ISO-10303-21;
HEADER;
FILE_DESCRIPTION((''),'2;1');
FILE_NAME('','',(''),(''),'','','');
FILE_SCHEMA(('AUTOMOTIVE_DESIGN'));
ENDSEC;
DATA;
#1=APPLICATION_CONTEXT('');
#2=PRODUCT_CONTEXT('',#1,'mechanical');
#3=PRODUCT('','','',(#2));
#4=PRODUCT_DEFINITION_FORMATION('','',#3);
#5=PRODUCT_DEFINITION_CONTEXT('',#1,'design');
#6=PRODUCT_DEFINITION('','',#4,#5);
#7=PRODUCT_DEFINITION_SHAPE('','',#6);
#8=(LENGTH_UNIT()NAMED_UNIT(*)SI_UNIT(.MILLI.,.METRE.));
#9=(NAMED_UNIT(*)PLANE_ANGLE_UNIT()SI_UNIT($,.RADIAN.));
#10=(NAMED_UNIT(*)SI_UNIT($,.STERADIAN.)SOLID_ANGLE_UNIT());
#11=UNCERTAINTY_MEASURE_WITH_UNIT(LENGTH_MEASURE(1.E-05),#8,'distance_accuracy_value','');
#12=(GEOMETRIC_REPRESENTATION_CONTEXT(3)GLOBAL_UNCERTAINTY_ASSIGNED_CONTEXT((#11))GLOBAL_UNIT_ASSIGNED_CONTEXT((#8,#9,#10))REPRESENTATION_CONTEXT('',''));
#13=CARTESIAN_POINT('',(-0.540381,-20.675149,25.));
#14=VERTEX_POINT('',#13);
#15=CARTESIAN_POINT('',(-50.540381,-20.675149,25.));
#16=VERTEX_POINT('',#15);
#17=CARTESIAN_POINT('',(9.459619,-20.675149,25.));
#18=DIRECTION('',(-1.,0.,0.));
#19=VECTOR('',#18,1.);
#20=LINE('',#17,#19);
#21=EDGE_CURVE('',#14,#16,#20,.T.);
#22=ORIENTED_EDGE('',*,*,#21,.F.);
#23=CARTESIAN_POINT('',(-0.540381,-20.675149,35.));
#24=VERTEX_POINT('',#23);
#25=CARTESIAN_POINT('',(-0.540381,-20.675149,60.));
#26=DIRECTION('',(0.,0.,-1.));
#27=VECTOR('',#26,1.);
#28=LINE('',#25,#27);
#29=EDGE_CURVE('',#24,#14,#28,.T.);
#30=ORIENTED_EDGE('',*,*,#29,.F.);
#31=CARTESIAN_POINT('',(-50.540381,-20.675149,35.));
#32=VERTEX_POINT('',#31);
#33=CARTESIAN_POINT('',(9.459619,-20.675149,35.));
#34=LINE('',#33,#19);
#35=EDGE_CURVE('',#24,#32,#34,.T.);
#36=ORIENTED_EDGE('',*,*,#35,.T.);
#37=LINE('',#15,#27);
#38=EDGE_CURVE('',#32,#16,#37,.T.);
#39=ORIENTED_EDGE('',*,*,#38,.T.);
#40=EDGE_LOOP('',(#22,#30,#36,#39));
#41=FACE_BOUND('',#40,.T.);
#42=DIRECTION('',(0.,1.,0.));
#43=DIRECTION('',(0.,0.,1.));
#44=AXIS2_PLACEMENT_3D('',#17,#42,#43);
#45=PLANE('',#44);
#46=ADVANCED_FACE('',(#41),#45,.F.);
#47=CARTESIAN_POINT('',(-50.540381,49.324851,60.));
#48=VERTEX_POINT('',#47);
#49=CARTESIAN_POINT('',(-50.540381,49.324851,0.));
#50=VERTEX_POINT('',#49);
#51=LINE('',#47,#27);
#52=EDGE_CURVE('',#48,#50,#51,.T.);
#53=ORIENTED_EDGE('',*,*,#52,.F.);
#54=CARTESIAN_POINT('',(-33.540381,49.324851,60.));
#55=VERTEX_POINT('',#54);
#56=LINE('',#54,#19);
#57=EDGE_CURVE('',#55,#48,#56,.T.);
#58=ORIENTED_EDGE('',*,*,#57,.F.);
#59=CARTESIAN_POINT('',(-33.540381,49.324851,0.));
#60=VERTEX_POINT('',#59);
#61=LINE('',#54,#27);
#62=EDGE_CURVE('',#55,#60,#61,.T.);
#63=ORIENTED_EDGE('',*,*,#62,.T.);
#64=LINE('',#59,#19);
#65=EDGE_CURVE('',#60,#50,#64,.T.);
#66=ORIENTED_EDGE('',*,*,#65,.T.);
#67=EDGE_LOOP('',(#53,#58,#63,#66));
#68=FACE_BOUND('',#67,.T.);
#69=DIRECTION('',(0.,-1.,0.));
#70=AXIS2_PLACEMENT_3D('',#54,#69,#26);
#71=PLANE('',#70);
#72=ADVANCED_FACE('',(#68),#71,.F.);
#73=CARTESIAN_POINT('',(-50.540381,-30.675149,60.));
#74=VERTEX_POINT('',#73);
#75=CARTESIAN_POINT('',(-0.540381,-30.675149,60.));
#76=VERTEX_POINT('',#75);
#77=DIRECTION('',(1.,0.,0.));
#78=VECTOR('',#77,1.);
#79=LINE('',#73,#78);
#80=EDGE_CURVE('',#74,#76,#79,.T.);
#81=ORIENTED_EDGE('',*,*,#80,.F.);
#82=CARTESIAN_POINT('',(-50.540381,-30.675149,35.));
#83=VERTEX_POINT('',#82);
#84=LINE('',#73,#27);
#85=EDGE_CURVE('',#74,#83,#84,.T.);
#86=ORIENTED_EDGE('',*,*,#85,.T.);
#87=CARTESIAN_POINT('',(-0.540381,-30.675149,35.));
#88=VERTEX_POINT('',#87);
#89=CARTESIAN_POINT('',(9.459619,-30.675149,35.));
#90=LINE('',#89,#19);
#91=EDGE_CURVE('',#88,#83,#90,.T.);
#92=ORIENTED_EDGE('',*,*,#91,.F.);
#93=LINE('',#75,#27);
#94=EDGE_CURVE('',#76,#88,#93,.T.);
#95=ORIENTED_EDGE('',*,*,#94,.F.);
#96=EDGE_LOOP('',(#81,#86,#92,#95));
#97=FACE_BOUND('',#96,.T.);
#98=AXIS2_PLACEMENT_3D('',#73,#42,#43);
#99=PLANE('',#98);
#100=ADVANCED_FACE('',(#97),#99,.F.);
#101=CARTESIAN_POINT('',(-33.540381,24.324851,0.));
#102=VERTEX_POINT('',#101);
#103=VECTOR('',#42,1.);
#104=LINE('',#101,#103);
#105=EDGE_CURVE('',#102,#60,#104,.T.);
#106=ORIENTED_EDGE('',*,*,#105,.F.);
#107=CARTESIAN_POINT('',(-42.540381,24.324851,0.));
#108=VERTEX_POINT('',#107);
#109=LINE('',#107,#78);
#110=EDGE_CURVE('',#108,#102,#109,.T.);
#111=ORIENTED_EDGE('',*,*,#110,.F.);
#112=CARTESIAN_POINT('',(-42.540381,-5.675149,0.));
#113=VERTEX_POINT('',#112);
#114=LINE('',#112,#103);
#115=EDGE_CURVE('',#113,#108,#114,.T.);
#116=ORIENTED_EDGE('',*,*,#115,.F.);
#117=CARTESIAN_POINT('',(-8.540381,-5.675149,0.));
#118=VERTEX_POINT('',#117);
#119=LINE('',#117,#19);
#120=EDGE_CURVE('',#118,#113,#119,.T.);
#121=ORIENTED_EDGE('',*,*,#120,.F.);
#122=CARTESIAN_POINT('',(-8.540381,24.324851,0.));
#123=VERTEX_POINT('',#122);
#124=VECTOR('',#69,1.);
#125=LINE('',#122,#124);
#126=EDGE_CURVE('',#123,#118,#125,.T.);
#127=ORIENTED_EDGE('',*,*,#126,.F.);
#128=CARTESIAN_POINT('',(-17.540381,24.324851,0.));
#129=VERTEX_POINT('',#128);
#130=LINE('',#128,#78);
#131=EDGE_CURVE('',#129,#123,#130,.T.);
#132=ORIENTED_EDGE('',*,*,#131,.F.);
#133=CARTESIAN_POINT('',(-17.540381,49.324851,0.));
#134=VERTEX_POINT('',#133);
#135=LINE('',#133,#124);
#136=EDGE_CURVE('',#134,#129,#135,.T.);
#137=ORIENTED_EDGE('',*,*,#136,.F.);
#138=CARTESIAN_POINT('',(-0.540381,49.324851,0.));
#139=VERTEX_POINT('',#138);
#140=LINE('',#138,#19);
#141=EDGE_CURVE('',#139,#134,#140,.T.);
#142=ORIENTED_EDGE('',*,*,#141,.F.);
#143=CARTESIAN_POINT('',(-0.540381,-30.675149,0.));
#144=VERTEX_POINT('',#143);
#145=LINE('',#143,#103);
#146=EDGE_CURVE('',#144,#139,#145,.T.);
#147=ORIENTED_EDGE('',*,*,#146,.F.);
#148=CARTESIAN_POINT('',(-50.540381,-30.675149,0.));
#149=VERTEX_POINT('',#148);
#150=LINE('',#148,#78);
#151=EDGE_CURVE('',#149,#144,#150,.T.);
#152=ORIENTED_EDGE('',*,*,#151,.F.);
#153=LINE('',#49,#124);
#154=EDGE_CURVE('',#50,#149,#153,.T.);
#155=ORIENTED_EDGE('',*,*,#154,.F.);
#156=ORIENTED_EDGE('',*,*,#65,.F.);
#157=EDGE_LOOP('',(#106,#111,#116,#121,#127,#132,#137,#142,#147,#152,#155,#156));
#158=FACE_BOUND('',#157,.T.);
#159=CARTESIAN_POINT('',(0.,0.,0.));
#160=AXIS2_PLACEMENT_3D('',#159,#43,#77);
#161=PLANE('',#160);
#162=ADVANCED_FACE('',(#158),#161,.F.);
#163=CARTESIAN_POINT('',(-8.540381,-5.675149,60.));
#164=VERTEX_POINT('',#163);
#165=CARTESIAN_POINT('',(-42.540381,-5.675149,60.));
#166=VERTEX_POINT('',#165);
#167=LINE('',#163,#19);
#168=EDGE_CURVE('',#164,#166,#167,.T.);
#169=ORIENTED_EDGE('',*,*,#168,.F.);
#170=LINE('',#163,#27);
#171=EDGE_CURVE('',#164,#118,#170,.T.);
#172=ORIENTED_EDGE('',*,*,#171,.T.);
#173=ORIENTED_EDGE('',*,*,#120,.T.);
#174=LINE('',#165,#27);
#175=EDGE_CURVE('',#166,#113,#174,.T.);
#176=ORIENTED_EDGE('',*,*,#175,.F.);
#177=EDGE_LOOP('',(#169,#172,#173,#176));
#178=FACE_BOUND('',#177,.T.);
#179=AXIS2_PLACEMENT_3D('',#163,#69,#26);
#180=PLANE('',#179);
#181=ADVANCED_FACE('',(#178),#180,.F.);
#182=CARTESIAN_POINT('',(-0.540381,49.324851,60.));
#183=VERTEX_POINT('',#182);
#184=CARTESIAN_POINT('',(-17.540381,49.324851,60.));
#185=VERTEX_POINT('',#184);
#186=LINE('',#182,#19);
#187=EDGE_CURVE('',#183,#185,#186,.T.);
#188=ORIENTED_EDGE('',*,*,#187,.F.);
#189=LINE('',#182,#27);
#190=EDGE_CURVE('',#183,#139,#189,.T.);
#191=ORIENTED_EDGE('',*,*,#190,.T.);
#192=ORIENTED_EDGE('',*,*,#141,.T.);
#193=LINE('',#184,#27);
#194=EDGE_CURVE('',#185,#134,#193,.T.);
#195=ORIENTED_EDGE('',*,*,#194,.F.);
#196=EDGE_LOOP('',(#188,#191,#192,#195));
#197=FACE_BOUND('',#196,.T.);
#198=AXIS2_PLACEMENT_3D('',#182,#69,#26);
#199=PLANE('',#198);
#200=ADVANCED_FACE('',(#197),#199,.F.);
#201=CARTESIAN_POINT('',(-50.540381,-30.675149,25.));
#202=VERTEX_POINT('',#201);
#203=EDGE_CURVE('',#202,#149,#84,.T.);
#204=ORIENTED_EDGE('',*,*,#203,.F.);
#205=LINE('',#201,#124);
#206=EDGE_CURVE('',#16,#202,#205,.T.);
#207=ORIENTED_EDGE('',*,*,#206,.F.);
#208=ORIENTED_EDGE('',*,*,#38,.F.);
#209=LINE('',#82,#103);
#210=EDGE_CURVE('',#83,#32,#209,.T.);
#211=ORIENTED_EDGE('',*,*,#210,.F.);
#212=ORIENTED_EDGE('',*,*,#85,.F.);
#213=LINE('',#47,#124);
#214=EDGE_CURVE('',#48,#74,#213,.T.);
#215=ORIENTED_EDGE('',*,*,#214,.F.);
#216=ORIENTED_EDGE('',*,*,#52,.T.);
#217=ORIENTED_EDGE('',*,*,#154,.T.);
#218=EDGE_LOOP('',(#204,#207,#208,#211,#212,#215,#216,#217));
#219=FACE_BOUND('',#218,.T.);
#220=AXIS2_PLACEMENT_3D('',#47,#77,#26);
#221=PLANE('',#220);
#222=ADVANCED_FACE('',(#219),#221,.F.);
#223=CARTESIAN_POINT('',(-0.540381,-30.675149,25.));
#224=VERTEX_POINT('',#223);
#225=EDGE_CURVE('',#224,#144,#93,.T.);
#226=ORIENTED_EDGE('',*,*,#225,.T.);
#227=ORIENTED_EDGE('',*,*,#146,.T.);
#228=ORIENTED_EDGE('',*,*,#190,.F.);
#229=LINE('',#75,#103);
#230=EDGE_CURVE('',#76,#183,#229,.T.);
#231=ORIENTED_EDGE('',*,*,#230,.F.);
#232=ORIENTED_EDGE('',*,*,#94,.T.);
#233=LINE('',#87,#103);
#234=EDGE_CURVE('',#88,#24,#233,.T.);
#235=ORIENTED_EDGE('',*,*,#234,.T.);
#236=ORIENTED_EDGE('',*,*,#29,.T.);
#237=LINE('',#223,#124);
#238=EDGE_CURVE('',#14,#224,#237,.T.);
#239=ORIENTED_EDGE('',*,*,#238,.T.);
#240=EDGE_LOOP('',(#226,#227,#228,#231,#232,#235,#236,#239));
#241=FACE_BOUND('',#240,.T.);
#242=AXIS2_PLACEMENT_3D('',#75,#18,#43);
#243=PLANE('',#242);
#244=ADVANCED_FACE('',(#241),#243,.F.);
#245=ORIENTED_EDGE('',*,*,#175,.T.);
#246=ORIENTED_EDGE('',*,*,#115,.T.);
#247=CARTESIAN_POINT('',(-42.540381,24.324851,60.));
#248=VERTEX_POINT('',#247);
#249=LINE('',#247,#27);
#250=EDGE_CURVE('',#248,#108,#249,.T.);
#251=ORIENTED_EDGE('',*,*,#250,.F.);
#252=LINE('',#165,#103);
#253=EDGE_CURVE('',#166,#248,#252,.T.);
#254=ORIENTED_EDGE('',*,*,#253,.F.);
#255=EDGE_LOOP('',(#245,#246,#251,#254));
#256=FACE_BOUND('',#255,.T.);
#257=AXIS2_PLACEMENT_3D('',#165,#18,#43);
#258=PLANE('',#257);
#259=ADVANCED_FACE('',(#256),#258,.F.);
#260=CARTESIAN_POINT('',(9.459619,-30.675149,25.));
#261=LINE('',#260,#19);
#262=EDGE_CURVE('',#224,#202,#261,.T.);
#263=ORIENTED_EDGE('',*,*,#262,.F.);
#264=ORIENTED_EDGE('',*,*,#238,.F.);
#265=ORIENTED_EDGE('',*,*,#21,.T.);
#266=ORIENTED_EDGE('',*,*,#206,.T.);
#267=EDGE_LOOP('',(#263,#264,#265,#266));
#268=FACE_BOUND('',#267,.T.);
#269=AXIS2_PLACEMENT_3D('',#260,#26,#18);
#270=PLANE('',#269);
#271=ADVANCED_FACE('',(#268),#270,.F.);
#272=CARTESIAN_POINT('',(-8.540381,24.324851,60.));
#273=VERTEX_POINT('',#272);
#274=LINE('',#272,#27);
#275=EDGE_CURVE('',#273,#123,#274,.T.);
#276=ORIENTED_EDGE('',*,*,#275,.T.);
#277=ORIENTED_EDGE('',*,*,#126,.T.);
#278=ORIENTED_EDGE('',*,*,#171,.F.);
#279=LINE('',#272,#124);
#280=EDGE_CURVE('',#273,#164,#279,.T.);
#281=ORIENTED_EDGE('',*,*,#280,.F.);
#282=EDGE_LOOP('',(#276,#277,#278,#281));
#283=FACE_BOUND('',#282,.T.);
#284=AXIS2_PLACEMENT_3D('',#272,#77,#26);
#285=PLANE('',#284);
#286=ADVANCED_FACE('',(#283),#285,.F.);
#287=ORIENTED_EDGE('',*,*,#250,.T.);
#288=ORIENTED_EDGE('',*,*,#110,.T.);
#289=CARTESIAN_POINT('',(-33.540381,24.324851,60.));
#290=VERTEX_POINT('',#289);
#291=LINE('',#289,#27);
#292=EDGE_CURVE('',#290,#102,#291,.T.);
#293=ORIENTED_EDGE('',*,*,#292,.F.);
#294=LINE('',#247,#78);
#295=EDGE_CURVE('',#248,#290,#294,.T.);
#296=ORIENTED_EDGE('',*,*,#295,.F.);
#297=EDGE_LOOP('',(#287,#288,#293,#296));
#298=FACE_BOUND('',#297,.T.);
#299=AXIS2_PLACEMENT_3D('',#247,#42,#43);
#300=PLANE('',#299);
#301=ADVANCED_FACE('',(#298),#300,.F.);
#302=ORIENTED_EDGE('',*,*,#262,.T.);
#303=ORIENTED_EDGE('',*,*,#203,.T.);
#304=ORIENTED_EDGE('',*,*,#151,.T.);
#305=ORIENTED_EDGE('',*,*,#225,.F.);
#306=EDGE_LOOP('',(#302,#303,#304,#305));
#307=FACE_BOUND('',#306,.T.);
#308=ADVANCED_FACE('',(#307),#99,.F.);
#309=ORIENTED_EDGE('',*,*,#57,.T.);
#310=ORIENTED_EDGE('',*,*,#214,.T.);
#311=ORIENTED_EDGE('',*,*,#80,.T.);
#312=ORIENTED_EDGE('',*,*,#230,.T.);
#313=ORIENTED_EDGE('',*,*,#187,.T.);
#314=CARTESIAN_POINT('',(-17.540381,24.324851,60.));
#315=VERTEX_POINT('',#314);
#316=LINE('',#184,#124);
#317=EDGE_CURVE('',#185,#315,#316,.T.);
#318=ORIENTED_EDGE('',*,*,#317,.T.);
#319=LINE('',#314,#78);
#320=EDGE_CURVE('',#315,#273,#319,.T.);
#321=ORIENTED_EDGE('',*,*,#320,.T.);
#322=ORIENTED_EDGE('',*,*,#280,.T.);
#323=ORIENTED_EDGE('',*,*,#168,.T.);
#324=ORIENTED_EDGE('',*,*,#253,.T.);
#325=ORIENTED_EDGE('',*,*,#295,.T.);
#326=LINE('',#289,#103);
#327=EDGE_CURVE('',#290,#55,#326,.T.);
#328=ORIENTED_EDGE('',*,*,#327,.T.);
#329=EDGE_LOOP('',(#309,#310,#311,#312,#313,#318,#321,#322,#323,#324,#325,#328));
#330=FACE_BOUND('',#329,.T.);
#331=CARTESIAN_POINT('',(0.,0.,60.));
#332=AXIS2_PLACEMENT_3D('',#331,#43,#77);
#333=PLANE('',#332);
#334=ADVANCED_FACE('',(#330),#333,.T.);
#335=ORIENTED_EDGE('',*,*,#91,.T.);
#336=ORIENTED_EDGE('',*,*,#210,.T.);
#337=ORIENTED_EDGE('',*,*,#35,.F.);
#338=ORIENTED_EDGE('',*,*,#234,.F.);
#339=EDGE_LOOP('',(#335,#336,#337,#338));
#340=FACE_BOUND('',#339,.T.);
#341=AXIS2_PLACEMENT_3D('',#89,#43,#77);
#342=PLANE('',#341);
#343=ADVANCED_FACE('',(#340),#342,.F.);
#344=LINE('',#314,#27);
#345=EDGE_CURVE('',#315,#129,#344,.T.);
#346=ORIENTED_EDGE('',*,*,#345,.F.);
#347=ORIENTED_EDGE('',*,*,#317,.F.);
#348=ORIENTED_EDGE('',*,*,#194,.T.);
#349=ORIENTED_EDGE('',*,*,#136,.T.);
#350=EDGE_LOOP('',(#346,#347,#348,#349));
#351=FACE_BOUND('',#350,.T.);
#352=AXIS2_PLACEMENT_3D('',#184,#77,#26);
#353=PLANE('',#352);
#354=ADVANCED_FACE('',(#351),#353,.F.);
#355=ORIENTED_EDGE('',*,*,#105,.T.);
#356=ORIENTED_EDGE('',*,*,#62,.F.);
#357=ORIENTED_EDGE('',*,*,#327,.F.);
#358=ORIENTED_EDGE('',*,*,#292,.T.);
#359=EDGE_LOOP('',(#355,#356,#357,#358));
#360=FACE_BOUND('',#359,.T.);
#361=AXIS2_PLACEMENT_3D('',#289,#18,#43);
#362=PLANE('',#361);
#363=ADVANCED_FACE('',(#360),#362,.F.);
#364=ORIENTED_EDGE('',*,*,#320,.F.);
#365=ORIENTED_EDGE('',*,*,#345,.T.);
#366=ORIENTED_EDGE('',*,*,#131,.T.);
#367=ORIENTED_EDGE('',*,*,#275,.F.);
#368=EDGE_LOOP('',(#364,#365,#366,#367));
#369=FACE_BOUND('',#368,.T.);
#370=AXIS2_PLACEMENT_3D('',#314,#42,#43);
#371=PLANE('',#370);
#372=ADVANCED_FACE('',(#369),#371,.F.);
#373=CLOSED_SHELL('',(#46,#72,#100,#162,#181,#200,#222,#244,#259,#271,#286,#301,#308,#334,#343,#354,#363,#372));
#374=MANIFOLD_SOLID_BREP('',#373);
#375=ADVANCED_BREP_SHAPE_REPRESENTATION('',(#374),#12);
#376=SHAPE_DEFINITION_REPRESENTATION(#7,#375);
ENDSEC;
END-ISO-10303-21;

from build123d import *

# Parameters (mm, degrees)
BOSS_EXTRUDE2_DEPTH = 60
SKETCH2_W           = 10
SKETCH2_H           = 10
CUT_EXTRUDE1_DEPTH  = 60


with BuildPart() as part:
    # Sketch1 → Boss-Extrude2 (new body)
    with BuildSketch(Plane.XY):
        Polygon((-50.540381022, -30.675149326), (-0.540381022, -30.675149326), (-0.540381022, 49.324850674), (-17.540381022, 49.324850674), (-17.540381022, 24.324850674), (-8.540381022, 24.324850674), (-8.540381022, -5.675149326), (-42.540381022, -5.675149326), (-42.540381022, 24.324850674), (-33.540381022, 24.324850674), (-33.540381022, 49.324850674), (-50.540381022, 49.324850674), align=None)
    extrude(amount=BOSS_EXTRUDE2_DEPTH)

    # Sketch2 → Cut-Extrude1 (cut)
    with BuildSketch(Plane.ZY.offset(50.540381022)):
        with Locations((30, -25.675149326)):
            Rectangle(SKETCH2_W, SKETCH2_H)
    extrude(amount=-CUT_EXTRUDE1_DEPTH, mode=Mode.SUBTRACT)


solid = part.part
